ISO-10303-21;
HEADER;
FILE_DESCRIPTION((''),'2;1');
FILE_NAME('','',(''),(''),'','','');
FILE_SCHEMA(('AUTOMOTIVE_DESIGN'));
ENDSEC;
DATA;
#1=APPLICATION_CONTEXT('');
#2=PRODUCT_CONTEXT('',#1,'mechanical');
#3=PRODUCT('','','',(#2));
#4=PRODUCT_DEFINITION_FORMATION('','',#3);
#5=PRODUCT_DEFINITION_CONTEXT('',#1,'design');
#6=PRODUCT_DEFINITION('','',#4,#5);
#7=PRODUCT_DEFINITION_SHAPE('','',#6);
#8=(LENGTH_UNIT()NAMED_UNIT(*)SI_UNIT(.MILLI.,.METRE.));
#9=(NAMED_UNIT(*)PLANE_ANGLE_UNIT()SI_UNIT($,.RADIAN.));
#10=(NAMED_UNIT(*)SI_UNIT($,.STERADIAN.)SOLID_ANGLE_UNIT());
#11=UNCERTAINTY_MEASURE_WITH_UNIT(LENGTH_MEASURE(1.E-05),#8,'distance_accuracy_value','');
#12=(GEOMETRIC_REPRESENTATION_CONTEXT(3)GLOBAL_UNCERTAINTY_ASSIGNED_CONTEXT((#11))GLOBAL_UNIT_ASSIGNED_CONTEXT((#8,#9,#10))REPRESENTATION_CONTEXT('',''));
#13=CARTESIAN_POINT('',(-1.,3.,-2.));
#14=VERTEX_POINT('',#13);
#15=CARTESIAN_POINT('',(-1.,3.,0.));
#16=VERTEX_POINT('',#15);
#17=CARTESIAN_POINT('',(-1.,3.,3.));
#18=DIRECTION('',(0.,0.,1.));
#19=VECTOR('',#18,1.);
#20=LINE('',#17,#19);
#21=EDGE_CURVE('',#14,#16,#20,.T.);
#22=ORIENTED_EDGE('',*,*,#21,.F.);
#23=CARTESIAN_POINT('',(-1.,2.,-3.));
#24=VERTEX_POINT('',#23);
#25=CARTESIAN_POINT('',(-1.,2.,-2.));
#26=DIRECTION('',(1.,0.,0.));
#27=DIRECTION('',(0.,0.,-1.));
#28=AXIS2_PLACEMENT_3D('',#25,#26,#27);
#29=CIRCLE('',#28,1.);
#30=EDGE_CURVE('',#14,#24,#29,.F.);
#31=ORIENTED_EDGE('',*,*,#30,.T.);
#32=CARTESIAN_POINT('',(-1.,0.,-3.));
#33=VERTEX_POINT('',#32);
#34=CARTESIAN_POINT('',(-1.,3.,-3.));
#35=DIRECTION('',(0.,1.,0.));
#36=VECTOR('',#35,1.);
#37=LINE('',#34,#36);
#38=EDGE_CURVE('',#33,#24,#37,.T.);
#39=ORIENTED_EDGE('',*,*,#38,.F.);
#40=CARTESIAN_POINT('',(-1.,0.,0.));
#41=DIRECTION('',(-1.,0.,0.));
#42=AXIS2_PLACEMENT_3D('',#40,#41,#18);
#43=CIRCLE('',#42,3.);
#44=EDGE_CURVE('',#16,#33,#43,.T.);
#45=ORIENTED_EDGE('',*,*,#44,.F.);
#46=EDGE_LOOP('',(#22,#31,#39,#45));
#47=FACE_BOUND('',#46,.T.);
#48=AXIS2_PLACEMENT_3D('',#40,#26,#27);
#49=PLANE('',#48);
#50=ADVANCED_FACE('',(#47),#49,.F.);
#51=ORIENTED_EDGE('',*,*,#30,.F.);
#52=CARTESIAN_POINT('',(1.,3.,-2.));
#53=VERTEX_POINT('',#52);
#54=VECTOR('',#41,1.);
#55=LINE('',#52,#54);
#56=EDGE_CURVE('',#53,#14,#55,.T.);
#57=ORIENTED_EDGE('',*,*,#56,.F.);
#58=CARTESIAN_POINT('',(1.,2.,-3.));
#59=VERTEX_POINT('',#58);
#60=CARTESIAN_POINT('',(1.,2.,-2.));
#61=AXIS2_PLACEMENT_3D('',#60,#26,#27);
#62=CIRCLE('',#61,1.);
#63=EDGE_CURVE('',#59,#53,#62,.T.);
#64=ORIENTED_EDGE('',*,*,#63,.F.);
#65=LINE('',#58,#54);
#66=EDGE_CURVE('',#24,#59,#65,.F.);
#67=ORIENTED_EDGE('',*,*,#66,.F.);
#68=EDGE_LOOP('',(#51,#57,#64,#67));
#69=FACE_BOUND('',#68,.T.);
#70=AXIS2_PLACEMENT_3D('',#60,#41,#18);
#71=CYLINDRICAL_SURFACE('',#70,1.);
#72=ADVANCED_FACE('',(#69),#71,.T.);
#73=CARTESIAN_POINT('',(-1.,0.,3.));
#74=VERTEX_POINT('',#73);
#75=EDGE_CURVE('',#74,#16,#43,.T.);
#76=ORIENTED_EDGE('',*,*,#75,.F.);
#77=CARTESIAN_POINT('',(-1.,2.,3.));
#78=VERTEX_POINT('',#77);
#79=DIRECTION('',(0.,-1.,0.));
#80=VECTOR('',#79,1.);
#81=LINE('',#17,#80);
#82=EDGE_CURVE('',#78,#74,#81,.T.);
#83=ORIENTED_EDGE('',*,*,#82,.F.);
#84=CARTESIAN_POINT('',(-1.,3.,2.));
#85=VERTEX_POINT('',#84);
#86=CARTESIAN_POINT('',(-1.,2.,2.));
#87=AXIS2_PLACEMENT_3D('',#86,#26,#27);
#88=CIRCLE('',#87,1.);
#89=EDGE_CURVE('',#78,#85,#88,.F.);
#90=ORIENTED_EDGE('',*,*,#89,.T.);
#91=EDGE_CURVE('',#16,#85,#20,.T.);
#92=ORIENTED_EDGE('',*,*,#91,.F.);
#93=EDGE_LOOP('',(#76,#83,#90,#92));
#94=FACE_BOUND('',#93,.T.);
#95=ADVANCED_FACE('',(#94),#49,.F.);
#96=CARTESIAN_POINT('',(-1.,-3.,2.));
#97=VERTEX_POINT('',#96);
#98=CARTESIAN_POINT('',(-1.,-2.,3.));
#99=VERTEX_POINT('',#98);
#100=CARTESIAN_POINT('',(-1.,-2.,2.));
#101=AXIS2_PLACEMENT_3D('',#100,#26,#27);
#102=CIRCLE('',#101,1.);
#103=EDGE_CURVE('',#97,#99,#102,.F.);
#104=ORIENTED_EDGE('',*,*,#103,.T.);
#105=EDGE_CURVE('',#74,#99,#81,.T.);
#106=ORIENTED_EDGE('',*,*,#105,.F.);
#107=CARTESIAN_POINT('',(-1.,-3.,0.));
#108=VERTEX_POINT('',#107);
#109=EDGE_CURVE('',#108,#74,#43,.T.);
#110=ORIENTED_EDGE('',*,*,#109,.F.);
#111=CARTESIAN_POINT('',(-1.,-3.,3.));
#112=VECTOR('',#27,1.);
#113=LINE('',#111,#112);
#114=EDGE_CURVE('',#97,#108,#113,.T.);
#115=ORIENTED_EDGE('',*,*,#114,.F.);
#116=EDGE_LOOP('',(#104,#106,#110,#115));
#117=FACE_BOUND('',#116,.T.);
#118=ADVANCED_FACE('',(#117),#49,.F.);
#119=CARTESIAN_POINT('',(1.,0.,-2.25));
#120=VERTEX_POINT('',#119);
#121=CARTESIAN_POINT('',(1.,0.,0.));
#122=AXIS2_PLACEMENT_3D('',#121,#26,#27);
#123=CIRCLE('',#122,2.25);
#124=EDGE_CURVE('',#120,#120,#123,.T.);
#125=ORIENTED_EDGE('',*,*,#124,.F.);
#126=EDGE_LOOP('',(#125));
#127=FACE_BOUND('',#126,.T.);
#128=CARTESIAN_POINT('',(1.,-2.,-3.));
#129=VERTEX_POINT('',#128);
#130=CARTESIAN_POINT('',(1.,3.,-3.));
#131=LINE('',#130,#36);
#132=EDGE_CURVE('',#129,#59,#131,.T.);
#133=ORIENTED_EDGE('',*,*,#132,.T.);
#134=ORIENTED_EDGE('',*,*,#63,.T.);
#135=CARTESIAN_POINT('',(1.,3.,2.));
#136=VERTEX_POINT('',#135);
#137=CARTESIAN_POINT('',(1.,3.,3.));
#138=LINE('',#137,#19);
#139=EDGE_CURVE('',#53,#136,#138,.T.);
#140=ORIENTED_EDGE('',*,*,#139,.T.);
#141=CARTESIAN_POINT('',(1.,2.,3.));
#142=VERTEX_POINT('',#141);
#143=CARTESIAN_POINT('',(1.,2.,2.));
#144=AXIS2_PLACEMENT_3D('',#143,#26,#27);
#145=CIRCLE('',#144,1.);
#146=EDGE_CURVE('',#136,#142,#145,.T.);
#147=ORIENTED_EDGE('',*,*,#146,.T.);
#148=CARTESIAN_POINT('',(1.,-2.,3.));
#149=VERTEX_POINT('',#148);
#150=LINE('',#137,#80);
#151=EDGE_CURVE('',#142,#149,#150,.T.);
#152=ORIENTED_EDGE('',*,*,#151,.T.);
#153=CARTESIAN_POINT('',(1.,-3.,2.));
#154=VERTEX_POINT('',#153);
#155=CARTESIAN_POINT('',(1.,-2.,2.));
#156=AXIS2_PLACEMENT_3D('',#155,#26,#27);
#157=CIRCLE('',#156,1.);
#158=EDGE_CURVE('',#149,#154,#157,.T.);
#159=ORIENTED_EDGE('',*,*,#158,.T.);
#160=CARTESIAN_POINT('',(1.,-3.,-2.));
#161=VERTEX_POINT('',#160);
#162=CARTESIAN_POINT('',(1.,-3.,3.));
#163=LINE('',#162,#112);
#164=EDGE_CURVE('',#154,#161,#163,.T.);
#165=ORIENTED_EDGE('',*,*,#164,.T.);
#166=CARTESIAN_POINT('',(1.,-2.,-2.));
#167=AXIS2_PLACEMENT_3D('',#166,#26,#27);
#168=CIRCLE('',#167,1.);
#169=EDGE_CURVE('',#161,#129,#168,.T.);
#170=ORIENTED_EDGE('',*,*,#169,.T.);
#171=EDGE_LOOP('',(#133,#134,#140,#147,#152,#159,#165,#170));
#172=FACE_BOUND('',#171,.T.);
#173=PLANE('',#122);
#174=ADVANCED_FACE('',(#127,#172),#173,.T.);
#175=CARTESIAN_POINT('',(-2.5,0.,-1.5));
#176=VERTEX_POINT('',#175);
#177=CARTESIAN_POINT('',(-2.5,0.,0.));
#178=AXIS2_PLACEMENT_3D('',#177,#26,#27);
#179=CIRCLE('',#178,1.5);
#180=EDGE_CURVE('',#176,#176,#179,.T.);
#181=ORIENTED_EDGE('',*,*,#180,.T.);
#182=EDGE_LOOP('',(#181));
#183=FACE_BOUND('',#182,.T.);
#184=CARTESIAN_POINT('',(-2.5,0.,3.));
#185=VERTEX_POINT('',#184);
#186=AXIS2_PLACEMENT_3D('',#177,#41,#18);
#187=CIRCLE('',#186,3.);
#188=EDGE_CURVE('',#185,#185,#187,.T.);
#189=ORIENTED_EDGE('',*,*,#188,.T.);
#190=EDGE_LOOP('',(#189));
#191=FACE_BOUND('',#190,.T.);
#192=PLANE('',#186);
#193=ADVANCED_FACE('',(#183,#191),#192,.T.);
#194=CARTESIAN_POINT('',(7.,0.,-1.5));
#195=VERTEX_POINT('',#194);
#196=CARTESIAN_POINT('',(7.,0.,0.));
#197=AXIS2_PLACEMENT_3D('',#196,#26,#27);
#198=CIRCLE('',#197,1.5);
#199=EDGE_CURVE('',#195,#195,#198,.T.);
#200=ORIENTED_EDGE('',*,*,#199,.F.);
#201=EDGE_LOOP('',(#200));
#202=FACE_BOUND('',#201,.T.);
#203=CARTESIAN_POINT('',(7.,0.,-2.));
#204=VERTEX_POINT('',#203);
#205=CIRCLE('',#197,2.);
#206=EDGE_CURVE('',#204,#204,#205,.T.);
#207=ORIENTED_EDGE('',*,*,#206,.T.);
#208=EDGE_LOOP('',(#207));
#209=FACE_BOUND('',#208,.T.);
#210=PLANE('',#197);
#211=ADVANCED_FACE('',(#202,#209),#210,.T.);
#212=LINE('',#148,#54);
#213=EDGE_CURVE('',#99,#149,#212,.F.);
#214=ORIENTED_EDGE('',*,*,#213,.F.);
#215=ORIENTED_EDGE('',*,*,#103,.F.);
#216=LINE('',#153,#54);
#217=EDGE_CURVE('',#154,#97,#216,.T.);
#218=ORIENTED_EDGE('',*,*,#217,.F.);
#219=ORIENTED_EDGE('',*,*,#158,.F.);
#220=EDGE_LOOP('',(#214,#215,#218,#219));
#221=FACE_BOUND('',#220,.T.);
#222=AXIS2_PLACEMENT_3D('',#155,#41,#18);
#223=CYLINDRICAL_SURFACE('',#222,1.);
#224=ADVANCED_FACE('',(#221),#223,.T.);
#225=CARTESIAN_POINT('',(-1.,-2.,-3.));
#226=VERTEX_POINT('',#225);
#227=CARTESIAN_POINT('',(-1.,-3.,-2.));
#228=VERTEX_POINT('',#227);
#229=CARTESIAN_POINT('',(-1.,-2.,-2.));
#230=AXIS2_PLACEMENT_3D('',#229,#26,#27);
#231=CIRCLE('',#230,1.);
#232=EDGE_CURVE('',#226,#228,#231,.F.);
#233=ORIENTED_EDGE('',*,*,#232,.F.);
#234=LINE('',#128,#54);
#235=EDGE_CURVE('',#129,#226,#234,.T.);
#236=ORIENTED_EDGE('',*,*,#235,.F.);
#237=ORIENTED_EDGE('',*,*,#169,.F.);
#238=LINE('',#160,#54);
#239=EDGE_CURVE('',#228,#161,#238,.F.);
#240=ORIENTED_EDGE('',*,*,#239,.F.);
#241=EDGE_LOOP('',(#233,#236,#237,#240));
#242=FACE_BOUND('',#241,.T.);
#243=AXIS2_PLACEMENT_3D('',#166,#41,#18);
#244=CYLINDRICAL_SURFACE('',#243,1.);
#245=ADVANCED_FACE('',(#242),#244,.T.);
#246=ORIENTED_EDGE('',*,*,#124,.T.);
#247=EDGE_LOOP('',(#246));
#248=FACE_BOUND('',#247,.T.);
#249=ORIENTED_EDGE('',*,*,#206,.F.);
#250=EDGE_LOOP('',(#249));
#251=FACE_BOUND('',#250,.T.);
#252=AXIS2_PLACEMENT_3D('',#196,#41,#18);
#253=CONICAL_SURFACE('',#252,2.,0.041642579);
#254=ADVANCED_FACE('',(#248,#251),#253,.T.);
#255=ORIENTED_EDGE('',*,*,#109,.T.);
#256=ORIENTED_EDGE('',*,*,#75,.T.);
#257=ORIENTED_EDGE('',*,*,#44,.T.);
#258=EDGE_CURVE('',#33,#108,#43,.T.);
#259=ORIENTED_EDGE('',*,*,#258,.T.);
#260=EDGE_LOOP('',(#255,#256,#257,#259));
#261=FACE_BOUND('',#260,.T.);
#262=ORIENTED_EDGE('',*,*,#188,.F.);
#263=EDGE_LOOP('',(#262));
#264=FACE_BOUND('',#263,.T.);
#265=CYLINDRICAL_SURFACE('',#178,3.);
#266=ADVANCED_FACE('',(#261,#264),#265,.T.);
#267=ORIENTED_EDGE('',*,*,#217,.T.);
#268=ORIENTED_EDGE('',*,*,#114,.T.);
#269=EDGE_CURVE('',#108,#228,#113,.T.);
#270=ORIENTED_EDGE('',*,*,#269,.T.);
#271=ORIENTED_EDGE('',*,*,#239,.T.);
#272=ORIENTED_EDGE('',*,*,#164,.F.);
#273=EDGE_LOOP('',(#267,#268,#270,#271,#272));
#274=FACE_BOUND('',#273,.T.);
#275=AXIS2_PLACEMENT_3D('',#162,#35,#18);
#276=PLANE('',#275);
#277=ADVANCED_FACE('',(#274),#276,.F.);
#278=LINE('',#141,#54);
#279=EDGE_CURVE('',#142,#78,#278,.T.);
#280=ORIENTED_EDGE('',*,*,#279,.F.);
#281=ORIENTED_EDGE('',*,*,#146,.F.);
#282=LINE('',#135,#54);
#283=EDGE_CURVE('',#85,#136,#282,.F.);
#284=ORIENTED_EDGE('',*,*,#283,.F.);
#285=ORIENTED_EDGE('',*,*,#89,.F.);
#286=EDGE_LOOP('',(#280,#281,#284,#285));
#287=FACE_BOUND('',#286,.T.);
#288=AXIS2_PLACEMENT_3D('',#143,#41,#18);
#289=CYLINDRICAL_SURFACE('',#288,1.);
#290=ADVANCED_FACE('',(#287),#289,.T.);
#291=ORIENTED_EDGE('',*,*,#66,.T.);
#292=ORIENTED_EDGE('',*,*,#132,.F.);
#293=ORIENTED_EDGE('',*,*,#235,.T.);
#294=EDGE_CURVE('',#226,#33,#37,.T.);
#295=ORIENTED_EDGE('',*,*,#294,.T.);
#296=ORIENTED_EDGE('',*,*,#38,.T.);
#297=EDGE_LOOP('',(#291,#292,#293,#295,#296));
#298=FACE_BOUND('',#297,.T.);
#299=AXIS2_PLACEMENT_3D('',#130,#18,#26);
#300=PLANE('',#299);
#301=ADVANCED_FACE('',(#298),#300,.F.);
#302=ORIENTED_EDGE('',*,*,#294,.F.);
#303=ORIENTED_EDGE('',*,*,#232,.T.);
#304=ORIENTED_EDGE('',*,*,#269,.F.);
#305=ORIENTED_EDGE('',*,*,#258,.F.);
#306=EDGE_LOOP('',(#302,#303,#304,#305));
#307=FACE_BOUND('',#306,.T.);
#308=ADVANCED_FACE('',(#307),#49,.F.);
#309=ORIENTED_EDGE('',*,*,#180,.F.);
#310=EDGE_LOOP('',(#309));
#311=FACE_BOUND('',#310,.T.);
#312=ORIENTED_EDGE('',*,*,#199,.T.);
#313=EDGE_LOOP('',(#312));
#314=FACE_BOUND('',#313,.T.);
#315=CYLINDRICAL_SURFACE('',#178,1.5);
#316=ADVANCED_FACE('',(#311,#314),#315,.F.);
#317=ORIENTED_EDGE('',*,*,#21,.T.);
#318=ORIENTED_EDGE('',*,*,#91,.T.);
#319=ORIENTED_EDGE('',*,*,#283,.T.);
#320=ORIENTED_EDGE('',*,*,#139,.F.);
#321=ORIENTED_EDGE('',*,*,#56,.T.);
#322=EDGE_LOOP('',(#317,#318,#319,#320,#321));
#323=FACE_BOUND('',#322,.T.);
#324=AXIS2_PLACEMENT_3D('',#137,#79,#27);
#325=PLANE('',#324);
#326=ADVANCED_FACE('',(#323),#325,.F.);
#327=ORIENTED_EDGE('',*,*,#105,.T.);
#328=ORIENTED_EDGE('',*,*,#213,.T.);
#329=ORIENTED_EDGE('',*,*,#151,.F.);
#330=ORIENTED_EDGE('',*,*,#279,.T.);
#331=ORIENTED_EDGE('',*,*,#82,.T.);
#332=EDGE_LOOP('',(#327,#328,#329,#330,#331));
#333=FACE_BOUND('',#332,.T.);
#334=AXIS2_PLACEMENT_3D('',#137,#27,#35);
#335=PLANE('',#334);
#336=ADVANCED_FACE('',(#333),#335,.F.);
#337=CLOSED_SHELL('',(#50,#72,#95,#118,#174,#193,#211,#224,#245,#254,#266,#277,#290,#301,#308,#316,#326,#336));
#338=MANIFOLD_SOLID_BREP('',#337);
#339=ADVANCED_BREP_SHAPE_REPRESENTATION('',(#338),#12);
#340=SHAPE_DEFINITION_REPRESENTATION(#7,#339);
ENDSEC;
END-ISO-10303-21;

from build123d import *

# Parameters (mm, degrees)
BASES_W                     = 6
BASES_H                     = 6
BASE_DEPTH                  = 1
INSIDEWIREHOLDINGBODYS_R    = 3
INSIDEWIREHOLDINGBODY_DEPTH = 1.5
FRONTFACES_R                = 2.25
REARFACES_R                 = 2
HOLE_DEPTH                  = 9.185352857
HOLE_DEPTH_BACK             = 9.185352857
HOLES_R                     = 1.5
BASEFILLET_R                = 1


with BuildPart() as part:
    # BaseS → Base (new, symmetric)
    with BuildSketch(Plane(origin=(0, 0, 0), x_dir=(0, 0, -1), z_dir=(1, 0, 0))):
        Rectangle(BASES_W, BASES_H)
    extrude(amount=BASE_DEPTH, both=True)

    # InsideWireHoldingBodyS → InsideWireHoldingBody (add)
    with BuildSketch(Plane.ZY.offset(1)):
        Circle(INSIDEWIREHOLDINGBODYS_R)
    extrude(amount=INSIDEWIREHOLDINGBODY_DEPTH)

    # FrontFaceS → StrainReliefBody section 0
    with BuildSketch(Plane(origin=(1, 0, 0), x_dir=(0, 0, -1), z_dir=(1, 0, 0))):
        Circle(FRONTFACES_R)
    # RearFaceS → StrainReliefBody section 1
    with BuildSketch(Plane(origin=(7, 0, 0), x_dir=(0, 0, -1), z_dir=(1, 0, 0))):
        Circle(REARFACES_R)
    loft()

    # HoleS → Hole (cut, two sides: drawn at the far end of the back side and taken through both)
    with BuildSketch(Plane(origin=(0, 0, 0), x_dir=(0, 0, -1), z_dir=(1, 0, 0)).offset(-HOLE_DEPTH_BACK)):
        Circle(HOLES_R)
    extrude(amount=HOLE_DEPTH + HOLE_DEPTH_BACK, mode=Mode.SUBTRACT)

    # BaseFillet
    basefillet_edges = [part.edges().sort_by_distance(p)[0] for p in [
        (0, -3, -3),
        (0, -3, 3),
        (0, 3, 3),
        (0, 3, -3),
    ]]
    fillet(basefillet_edges, radius=BASEFILLET_R)


solid = part.part
